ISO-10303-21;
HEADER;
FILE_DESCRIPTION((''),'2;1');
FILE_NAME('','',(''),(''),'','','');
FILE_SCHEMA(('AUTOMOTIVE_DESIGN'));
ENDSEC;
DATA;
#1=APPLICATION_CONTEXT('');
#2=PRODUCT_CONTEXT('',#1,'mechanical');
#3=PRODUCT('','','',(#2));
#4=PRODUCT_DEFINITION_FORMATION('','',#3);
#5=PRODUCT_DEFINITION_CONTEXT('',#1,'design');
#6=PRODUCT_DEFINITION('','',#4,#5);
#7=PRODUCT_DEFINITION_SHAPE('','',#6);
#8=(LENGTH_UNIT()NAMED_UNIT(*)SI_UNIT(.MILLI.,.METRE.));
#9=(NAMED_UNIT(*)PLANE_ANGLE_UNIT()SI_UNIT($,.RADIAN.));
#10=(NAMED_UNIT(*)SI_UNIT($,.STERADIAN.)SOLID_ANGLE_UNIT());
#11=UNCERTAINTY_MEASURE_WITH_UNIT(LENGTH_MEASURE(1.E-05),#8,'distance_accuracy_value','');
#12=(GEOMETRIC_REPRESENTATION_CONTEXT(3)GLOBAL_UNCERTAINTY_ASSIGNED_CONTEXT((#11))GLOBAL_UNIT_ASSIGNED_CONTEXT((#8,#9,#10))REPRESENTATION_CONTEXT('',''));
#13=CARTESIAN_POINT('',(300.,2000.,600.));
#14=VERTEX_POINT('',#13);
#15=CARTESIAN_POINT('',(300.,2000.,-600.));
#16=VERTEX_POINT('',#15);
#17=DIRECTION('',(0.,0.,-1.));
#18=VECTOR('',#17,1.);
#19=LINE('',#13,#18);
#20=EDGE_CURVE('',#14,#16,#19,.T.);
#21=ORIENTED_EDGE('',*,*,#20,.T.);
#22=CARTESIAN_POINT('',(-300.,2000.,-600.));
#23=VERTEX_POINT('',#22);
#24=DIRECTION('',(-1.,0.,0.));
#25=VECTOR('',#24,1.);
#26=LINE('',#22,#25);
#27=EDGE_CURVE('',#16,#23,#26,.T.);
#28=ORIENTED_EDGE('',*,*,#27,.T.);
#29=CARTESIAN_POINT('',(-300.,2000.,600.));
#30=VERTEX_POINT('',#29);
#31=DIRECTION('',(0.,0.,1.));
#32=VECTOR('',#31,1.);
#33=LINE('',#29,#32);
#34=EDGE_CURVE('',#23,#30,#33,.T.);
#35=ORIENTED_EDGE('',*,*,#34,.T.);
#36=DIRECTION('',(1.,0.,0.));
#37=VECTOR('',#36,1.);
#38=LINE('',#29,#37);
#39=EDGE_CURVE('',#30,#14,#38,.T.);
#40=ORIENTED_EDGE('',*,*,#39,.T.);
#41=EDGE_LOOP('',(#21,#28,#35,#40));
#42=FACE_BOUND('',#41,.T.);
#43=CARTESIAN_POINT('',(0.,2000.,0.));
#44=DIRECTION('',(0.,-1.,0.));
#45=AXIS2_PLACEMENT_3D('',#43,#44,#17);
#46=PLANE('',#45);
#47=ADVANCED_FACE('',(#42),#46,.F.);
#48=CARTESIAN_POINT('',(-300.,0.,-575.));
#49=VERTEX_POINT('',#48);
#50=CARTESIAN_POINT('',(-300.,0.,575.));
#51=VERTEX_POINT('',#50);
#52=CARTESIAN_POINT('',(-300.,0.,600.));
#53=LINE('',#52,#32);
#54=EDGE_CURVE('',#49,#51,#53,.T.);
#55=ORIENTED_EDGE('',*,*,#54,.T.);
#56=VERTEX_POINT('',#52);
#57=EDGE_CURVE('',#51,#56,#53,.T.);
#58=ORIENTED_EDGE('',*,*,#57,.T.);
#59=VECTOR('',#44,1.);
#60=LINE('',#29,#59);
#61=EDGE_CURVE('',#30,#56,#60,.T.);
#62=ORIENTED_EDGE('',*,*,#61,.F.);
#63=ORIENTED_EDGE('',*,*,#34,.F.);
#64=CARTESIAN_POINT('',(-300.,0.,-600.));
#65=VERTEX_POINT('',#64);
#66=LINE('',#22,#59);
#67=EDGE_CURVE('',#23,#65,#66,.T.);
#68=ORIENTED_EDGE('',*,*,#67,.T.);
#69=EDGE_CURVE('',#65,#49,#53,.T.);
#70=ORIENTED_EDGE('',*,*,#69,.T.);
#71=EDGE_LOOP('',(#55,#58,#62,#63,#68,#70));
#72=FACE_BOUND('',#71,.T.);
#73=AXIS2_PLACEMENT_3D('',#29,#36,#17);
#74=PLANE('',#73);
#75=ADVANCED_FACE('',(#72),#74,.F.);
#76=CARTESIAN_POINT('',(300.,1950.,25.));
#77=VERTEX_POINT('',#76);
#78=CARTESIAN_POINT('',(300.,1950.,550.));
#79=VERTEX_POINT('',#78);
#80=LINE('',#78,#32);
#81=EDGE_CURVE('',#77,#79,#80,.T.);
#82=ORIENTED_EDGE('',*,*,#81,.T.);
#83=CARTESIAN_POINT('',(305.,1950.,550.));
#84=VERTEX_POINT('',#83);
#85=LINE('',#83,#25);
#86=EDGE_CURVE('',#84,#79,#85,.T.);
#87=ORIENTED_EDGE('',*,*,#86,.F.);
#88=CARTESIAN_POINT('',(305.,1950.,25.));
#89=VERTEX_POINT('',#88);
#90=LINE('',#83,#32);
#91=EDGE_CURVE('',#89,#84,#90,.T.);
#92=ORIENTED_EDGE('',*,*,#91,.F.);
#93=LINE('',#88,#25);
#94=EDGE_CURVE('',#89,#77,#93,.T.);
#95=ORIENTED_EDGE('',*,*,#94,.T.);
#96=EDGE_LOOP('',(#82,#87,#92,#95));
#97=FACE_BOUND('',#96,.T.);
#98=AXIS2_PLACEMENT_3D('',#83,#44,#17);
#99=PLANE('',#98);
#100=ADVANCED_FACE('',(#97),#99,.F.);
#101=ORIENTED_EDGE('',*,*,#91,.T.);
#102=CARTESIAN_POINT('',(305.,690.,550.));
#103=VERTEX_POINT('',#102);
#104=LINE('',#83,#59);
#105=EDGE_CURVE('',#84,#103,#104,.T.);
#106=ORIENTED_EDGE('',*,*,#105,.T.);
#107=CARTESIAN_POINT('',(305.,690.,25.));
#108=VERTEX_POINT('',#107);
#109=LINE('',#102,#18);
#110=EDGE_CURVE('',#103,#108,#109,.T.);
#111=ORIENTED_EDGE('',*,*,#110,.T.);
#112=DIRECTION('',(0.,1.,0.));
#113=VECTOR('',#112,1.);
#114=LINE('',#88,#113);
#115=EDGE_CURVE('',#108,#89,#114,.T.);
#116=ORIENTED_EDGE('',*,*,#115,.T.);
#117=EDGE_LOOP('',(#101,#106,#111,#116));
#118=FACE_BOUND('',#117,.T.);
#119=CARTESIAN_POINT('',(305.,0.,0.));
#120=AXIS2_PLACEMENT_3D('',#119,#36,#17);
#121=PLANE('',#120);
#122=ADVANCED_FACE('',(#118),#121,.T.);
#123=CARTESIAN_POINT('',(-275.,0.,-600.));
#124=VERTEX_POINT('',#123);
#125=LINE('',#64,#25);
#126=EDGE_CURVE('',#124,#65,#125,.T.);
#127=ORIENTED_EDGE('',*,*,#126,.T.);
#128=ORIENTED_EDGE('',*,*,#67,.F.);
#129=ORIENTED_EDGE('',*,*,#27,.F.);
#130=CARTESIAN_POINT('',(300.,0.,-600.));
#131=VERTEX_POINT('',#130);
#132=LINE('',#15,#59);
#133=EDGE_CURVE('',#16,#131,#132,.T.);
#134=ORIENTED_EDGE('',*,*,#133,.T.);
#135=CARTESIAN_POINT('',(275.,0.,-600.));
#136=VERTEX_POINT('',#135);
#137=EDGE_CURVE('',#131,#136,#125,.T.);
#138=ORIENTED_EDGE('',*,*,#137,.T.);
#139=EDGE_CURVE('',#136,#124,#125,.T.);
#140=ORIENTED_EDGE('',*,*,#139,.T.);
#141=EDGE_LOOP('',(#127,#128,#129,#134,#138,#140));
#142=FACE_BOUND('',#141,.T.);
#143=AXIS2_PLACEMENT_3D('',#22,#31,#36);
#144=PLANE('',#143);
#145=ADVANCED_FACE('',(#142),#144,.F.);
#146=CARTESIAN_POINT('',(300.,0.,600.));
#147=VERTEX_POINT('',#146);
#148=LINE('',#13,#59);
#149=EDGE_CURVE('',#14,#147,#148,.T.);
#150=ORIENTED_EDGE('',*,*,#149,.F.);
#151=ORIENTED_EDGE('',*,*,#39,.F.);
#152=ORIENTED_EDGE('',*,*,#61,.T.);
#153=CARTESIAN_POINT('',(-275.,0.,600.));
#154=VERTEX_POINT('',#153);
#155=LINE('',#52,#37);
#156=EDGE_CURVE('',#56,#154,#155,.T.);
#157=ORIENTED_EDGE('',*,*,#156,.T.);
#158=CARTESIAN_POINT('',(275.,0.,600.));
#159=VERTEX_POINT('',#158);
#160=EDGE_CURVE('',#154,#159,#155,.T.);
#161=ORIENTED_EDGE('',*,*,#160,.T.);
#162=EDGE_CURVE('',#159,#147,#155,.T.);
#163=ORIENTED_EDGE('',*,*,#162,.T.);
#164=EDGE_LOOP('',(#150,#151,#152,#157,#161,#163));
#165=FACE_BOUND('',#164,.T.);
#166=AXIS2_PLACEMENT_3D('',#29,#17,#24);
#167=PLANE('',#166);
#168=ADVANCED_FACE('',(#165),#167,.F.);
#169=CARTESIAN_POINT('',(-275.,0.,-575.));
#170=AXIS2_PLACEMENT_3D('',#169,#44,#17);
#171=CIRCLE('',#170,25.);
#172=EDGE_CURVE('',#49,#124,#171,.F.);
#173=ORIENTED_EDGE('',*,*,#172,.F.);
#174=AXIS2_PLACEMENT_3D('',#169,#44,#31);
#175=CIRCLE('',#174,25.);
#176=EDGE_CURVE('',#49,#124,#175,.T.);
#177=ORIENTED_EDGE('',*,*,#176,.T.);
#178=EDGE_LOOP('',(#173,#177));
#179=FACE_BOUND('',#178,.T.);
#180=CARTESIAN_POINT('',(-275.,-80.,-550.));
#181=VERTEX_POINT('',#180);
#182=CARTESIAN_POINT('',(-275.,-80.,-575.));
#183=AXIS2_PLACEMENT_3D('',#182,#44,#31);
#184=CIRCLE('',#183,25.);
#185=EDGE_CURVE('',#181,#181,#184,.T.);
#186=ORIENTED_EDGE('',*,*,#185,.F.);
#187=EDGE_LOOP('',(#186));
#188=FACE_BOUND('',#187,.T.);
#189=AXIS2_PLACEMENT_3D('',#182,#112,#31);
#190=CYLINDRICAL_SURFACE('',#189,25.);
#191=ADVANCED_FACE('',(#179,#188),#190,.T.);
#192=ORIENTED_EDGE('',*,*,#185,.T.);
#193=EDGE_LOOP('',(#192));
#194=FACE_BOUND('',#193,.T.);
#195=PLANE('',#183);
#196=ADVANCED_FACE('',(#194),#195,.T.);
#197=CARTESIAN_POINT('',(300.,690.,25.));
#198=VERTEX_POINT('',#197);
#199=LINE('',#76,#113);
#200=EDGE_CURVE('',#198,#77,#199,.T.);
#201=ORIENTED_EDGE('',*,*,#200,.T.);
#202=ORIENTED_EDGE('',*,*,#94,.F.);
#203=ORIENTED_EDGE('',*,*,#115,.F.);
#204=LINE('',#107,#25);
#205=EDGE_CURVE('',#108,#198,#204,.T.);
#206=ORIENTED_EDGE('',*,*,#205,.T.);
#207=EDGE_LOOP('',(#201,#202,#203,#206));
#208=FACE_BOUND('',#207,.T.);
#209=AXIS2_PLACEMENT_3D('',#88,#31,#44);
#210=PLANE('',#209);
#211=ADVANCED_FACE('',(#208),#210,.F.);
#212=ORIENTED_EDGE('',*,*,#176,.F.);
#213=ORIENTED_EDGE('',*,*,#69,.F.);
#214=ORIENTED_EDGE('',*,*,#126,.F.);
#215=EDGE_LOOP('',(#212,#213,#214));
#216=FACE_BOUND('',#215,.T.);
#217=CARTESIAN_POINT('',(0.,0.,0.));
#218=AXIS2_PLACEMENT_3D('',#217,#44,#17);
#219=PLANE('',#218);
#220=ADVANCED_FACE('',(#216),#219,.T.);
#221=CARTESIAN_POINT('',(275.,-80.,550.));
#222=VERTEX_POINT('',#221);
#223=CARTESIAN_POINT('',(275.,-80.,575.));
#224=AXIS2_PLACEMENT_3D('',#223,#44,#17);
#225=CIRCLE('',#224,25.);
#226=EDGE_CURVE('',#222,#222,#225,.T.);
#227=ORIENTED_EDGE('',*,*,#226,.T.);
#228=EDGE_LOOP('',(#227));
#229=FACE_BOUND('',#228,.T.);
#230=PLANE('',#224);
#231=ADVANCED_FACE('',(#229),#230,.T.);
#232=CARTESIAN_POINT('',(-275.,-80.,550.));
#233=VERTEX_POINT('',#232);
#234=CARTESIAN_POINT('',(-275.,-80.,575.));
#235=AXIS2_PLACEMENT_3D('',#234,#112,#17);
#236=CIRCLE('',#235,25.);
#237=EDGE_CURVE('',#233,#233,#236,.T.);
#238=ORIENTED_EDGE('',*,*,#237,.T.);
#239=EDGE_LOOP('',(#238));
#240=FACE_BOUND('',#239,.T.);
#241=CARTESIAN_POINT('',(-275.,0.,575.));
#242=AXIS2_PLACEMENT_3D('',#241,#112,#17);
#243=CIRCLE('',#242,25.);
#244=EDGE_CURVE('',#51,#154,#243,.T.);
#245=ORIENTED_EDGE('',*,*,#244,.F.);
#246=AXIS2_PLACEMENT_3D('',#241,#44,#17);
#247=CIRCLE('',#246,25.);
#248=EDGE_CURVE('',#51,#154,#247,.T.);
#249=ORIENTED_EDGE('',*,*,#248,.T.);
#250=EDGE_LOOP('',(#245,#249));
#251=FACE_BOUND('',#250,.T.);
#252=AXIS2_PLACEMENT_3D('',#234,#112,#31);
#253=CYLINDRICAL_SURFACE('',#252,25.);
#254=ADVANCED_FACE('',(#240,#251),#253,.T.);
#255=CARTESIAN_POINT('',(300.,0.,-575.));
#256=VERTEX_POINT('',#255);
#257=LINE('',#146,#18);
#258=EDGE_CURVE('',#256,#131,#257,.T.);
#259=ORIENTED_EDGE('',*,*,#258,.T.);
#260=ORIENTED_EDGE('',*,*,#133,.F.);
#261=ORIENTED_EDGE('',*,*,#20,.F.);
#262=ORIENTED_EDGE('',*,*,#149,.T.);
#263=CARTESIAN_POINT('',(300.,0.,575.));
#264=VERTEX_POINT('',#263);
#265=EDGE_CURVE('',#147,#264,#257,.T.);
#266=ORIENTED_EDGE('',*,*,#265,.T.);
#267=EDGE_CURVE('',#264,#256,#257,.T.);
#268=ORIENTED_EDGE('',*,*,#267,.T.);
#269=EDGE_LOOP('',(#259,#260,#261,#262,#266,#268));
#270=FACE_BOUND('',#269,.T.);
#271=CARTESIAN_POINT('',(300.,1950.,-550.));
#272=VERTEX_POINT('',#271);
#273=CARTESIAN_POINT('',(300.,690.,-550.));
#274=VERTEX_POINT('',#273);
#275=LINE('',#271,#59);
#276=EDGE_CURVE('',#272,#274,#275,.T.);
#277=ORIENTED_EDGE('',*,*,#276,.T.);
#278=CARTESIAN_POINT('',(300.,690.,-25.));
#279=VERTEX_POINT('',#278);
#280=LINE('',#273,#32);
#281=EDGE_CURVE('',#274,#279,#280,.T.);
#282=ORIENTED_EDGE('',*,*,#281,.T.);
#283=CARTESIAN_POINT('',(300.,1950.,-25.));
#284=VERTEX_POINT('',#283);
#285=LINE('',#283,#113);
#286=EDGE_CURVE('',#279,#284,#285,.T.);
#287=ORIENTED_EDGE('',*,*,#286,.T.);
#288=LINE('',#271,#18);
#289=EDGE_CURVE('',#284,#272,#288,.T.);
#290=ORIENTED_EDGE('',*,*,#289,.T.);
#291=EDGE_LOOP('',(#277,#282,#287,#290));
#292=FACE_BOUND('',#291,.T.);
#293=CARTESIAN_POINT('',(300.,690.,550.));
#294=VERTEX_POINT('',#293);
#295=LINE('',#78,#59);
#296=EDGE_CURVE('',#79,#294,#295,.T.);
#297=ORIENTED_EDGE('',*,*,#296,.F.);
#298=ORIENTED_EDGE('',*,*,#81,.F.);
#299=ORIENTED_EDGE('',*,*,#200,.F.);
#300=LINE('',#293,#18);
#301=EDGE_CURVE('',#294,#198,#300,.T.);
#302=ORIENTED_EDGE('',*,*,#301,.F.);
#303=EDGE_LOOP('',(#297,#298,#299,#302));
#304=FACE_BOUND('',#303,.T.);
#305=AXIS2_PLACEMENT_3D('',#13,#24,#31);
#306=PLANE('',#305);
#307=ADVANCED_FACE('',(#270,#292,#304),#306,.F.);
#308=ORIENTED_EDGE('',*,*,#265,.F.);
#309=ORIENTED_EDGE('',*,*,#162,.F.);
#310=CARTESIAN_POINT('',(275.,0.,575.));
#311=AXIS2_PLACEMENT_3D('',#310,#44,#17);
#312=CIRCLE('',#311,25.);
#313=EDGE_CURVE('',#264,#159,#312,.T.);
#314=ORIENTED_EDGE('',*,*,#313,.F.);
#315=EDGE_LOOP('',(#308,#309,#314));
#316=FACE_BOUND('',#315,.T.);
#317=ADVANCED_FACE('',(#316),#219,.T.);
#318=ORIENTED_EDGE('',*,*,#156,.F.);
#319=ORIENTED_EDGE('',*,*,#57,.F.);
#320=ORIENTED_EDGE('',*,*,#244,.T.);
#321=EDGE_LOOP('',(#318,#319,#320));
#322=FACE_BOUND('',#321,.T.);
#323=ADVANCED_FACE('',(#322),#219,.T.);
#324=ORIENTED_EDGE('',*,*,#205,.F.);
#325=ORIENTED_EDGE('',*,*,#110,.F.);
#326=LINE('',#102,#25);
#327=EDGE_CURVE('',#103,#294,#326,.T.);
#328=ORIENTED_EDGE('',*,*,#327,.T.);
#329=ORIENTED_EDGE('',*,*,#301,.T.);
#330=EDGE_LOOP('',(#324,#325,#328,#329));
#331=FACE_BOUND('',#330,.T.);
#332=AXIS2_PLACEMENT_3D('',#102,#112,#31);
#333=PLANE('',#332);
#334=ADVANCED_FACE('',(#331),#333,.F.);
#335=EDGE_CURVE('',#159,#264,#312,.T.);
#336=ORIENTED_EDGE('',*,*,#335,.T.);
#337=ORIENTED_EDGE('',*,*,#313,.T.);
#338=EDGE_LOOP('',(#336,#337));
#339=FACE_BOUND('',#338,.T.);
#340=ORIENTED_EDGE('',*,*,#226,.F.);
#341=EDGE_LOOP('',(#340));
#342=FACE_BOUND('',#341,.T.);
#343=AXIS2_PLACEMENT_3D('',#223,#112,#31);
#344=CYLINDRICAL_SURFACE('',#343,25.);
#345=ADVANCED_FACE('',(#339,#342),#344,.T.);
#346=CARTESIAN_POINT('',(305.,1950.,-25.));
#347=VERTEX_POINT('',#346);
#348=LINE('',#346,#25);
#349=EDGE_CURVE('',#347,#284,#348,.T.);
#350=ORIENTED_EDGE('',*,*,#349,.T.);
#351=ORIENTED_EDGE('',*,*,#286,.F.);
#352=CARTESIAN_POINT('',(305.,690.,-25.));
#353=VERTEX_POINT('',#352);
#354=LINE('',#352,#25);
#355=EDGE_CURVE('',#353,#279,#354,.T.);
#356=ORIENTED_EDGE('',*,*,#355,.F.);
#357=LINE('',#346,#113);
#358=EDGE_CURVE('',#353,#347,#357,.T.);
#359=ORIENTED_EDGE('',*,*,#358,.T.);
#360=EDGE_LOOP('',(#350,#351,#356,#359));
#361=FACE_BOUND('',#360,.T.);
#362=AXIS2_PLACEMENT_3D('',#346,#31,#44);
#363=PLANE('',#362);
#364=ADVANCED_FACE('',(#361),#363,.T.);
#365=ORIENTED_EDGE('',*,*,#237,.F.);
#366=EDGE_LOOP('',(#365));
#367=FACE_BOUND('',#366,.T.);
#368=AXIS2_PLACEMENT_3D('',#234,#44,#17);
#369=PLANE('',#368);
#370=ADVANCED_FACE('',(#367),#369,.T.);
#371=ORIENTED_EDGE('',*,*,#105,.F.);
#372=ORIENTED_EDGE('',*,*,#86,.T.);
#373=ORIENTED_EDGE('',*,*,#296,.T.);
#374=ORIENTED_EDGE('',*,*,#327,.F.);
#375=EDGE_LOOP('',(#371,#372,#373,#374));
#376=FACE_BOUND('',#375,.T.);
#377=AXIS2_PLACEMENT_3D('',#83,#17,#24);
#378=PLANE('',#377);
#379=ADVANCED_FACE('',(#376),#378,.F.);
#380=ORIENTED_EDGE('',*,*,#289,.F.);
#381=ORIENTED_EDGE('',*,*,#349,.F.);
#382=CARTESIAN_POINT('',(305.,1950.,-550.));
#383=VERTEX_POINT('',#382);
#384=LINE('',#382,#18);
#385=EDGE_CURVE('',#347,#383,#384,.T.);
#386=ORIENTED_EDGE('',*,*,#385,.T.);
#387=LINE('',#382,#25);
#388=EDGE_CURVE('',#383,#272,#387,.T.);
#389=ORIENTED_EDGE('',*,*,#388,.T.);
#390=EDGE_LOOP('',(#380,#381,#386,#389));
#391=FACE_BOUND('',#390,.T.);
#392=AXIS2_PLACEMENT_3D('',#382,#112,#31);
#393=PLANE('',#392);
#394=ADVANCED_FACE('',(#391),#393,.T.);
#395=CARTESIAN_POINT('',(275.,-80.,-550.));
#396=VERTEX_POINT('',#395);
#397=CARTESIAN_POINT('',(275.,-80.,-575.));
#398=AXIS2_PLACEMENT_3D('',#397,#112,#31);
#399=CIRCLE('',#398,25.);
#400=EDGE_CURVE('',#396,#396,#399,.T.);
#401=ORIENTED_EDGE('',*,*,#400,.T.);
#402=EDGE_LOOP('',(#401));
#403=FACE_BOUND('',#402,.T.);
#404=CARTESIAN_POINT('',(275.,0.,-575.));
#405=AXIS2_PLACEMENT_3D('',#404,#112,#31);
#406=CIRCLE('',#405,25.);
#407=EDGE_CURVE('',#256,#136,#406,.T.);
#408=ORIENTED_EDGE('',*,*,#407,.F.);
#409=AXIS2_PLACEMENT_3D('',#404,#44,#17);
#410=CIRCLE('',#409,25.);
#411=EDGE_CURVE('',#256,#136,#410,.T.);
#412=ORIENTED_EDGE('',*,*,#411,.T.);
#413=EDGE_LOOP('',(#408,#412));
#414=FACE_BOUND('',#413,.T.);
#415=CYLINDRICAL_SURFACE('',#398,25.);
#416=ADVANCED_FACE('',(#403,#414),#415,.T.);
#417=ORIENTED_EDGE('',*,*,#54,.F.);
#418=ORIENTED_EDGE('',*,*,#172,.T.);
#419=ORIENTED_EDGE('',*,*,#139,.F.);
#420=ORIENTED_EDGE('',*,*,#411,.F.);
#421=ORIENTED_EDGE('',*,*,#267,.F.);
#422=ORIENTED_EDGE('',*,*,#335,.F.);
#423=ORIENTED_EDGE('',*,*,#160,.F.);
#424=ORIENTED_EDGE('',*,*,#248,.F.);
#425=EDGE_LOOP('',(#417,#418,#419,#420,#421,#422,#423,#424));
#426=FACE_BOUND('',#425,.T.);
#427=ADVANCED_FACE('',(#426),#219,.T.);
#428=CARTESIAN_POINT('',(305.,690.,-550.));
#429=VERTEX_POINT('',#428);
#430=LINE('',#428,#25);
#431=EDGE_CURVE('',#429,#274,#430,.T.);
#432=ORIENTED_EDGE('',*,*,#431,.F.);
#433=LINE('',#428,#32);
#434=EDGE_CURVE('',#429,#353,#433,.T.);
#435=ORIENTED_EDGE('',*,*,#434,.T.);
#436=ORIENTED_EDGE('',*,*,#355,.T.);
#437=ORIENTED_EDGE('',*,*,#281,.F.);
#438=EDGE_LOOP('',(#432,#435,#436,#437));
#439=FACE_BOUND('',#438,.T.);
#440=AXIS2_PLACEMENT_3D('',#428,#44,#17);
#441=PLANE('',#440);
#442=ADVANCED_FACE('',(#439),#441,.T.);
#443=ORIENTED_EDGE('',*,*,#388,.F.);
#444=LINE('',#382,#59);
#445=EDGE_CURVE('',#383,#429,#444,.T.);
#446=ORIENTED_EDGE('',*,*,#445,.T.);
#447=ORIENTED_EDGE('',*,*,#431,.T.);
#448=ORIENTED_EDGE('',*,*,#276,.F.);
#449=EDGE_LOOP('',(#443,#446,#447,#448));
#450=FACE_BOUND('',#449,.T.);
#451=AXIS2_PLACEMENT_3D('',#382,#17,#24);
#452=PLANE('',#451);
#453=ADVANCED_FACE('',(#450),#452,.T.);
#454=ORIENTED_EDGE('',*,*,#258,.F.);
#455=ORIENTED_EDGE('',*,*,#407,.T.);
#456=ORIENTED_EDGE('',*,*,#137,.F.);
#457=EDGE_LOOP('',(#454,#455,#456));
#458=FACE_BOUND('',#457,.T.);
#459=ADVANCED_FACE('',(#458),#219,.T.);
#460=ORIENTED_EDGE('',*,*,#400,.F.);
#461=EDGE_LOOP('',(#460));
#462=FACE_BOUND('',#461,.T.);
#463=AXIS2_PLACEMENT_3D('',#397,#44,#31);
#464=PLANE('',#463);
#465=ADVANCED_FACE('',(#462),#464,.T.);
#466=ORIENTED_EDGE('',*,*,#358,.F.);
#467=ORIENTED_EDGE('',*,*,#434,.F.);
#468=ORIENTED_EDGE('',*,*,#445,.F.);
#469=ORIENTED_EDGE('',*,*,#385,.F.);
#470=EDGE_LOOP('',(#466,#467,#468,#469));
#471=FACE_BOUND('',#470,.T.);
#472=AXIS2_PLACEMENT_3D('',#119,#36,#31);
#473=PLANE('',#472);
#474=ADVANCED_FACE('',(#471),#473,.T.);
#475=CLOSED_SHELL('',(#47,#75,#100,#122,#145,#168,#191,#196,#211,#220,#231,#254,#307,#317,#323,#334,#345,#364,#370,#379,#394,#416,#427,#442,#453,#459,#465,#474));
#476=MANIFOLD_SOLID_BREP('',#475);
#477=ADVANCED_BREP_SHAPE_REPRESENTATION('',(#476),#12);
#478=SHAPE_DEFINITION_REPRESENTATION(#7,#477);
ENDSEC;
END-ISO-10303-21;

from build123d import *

# Parameters (mm, degrees)
SKETCH_1_W               = 600
SKETCH_1_H               = 1200
EXTRUDE_1_DEPTH          = 2000
SKETCH_2_R               = 25
EXTRUDE_2_DEPTH          = 80
MIRROR_2_COPY_1_SKETCH_R = 25
MIRROR_2_COPY_1_DEPTH    = 80
SKETCH_3_W               = 525
SKETCH_3_H               = 1260
EXTRUDE_3_DEPTH          = 5


with BuildPart() as part:
    # 草图1 → 凸台-拉伸1 (new body)
    with BuildSketch(Plane(origin=(0, 0, 0), x_dir=(1, 0, 0), z_dir=(0, 1, 0))):
        Rectangle(SKETCH_1_W, SKETCH_1_H)
    extrude(amount=EXTRUDE_1_DEPTH)

    # 草图2 → 凸台-拉伸2 (add)
    with BuildSketch(Plane.XZ):
        with Locations((275, 575)):
            Circle(SKETCH_2_R)
    extrude_2 = extrude(amount=EXTRUDE_2_DEPTH)

    # 镜向1: 凸台-拉伸2 across plane
    add(extrude_2.mirror(Plane(origin=(0, 0, 0), x_dir=(0, 0, 1), z_dir=(1, 0, 0))))

    # 镜向2: 凸台-拉伸2 across plane
    add(extrude_2.mirror(Plane.XY))

    # 镜向2 copy 1 sketch → 镜向2 copy 1 (add)
    with BuildSketch(Plane(origin=(0, 0, 0), x_dir=(-1, 0, 0), z_dir=(0, -1, 0))):
        with Locations((275, 575)):
            Circle(MIRROR_2_COPY_1_SKETCH_R)
    extrude(amount=MIRROR_2_COPY_1_DEPTH)

    # 草图3 → 凸台-拉伸3 (add)
    with BuildSketch(Plane(origin=(300, 0, 0), x_dir=(0, 0, -1), z_dir=(1, 0, 0))):
        with Locations((-287.5, 1320)):
            Rectangle(SKETCH_3_W, SKETCH_3_H)
    extrude_3 = extrude(amount=EXTRUDE_3_DEPTH)

    # 镜向3: 凸台-拉伸3 across plane
    add(extrude_3.mirror(Plane.XY))


solid = part.part
